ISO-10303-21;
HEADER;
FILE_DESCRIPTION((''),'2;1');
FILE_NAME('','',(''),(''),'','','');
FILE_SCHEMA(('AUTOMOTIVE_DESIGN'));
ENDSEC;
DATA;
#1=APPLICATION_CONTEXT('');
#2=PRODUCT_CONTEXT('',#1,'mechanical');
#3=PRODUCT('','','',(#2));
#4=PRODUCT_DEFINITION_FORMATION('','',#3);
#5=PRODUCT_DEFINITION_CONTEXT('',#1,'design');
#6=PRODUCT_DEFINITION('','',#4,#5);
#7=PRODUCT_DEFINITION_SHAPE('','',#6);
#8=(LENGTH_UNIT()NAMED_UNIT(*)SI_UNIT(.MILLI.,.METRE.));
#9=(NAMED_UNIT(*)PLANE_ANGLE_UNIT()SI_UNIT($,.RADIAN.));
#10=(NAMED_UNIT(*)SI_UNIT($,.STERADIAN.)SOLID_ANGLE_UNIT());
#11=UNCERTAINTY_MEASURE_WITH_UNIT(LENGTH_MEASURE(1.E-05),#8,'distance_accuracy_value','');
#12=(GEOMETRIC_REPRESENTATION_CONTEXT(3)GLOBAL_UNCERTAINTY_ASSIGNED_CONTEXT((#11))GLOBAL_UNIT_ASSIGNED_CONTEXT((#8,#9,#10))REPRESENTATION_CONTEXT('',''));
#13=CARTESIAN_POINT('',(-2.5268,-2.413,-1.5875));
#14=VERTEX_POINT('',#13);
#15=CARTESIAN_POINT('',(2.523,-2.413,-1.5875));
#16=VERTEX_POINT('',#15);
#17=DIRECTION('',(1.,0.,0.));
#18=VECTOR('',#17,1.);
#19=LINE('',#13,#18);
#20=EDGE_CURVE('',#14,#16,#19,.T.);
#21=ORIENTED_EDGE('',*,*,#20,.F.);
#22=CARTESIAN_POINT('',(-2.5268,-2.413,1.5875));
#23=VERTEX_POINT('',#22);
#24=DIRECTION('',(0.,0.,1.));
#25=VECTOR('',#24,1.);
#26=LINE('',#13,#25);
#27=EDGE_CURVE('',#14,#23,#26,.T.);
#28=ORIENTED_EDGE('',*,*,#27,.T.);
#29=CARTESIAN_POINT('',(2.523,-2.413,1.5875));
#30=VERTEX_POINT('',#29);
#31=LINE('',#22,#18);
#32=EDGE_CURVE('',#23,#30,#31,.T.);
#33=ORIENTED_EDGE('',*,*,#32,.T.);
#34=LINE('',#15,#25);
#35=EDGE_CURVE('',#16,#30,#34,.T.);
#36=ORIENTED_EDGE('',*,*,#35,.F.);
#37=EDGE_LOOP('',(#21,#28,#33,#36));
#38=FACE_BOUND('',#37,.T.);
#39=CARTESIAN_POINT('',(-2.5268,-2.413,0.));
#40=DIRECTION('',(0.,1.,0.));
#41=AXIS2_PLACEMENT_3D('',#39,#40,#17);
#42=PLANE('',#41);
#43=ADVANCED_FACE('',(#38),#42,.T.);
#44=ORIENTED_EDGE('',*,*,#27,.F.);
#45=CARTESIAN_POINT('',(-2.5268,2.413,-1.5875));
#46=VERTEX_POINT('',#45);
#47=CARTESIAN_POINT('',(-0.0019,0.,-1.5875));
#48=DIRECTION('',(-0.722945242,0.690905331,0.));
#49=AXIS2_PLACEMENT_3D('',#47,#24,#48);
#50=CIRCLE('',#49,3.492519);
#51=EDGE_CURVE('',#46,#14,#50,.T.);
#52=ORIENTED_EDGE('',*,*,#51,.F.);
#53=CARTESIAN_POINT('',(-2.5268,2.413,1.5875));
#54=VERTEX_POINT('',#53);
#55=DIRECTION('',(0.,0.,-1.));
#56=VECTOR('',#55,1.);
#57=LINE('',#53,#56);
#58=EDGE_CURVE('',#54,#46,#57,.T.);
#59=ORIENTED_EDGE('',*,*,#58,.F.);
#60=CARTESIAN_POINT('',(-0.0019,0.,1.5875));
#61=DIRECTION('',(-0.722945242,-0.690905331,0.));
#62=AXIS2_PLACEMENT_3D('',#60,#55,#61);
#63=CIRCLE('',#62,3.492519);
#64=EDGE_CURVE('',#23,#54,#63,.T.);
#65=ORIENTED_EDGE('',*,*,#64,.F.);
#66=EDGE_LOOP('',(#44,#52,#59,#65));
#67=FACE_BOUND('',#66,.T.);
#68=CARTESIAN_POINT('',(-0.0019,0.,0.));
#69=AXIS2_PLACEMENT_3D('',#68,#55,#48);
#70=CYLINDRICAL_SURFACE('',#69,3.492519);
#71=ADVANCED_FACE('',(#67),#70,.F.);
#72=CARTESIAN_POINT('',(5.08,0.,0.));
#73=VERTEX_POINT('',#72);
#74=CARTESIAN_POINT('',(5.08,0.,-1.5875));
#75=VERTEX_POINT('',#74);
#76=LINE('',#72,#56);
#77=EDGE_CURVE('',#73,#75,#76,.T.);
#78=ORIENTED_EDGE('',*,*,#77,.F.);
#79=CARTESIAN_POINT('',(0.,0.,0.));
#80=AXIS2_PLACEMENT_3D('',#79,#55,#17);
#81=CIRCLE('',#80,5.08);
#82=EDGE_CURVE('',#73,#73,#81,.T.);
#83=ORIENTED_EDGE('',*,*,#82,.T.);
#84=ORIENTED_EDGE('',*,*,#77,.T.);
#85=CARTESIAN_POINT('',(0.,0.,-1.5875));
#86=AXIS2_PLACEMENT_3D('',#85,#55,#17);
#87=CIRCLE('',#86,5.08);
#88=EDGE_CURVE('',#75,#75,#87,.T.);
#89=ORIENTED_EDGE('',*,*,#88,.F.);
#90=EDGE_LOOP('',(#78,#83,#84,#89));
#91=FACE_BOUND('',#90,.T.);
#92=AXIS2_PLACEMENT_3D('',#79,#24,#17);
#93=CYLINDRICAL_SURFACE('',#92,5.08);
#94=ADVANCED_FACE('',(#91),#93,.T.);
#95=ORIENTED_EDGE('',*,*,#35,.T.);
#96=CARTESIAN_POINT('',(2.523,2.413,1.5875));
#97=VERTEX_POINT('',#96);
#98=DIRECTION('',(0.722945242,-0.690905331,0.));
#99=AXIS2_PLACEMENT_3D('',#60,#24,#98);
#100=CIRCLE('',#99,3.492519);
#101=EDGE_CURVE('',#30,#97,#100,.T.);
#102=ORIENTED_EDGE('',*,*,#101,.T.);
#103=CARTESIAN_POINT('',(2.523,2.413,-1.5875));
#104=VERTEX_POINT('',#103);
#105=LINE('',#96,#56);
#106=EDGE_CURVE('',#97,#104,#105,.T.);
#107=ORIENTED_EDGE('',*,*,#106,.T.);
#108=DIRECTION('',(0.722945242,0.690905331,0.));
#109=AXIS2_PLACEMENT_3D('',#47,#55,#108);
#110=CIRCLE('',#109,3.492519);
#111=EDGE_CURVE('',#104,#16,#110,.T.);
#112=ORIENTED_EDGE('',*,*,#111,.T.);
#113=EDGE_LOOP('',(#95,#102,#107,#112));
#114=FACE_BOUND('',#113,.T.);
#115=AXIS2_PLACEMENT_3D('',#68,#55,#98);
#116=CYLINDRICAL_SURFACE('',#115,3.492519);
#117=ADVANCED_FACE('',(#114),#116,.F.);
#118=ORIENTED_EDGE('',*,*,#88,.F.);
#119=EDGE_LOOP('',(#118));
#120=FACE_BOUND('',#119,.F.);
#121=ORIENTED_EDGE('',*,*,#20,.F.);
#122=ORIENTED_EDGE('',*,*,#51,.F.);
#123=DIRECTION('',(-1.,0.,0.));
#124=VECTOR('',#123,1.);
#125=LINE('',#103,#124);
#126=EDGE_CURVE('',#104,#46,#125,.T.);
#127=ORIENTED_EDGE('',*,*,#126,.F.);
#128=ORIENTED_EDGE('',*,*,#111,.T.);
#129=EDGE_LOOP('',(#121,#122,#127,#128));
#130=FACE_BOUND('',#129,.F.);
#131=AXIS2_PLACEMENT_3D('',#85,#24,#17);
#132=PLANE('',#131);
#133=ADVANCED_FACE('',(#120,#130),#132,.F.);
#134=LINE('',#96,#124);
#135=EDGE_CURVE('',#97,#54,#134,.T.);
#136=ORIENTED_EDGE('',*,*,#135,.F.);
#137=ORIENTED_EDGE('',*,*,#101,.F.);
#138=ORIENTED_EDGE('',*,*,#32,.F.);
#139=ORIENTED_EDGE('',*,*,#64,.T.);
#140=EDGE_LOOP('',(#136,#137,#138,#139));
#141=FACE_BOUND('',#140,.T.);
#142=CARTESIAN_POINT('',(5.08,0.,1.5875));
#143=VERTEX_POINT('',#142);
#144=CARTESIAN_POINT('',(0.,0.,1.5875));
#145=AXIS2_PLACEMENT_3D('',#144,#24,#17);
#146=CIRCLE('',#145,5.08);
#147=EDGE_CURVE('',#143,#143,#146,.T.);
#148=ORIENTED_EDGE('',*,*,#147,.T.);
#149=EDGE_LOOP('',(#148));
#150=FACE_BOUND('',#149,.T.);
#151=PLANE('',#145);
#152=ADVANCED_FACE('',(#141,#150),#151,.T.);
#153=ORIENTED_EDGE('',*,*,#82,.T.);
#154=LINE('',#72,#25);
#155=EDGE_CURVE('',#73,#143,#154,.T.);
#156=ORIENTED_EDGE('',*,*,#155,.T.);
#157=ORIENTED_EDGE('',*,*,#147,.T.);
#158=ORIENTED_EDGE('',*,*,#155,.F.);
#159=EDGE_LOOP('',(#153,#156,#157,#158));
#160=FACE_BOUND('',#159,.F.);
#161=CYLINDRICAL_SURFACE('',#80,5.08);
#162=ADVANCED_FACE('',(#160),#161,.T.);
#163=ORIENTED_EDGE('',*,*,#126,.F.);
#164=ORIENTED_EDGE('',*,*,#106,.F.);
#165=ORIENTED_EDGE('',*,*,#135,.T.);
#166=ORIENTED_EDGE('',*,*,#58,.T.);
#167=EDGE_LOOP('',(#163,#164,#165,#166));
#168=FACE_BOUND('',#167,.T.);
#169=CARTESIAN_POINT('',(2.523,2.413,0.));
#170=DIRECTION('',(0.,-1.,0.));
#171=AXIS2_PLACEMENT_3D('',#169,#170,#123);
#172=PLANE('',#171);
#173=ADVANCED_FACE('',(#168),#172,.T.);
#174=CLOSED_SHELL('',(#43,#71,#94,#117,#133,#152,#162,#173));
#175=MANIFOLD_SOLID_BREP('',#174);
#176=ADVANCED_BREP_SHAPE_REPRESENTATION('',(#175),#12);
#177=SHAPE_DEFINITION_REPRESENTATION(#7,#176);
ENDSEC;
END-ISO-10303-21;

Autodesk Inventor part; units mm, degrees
ref_plane "YZ Plane" through (0, 0, 0) normal (1, 0, 0) x (0, 1, 0)
ref_plane "XZ Plane" through (0, 0, 0) normal (0, 1, 0) x (-1, 0, 0)
ref_plane "XY Plane" through (0, 0, 0) normal (0, 0, 1) x (1, 0, 0)
sketch "Sketch1" plane through (0, 0, 0) normal (0, 0, 1) x (1, 0, 0)
  circle A0 centre (0, 0) radius 5.08
  circle A1 centre (0, 0) radius 0.88
  line L0 (-2.5268, -2.413) -> (2.523, -2.413)
  line L1 (2.523, 2.413) -> (-2.5268, 2.413)
  line L2 (-7.112, 0) -> (7.112, 0) projected
  arc A2 (2.523, -2.413) -> (2.523, 2.413) centre (-0.0019, 0) ccw
  arc A3 (-2.5268, 2.413) -> (-2.5268, -2.413) centre (-0.0019, 0) ccw
  dimension "d0" = 10.16
  dimension "d1" = 1.76
  dimension "d4" = 2.413
  dimension "d6" = 3.4925
  dimension "d7" = 3.4925
  dimension "d8" = 5.0498
  dimension "d9" = 2.413
  dimension "d10" = 2.413
  dimension "d12" = 4.826
extrude "Extrusion3" add sketch "Sketch1" along normal mid plane 3.175 contours L2 A2 L1 A3 A0 | A0 L2 A3 L0 A2
properties part number "WheelCap"
